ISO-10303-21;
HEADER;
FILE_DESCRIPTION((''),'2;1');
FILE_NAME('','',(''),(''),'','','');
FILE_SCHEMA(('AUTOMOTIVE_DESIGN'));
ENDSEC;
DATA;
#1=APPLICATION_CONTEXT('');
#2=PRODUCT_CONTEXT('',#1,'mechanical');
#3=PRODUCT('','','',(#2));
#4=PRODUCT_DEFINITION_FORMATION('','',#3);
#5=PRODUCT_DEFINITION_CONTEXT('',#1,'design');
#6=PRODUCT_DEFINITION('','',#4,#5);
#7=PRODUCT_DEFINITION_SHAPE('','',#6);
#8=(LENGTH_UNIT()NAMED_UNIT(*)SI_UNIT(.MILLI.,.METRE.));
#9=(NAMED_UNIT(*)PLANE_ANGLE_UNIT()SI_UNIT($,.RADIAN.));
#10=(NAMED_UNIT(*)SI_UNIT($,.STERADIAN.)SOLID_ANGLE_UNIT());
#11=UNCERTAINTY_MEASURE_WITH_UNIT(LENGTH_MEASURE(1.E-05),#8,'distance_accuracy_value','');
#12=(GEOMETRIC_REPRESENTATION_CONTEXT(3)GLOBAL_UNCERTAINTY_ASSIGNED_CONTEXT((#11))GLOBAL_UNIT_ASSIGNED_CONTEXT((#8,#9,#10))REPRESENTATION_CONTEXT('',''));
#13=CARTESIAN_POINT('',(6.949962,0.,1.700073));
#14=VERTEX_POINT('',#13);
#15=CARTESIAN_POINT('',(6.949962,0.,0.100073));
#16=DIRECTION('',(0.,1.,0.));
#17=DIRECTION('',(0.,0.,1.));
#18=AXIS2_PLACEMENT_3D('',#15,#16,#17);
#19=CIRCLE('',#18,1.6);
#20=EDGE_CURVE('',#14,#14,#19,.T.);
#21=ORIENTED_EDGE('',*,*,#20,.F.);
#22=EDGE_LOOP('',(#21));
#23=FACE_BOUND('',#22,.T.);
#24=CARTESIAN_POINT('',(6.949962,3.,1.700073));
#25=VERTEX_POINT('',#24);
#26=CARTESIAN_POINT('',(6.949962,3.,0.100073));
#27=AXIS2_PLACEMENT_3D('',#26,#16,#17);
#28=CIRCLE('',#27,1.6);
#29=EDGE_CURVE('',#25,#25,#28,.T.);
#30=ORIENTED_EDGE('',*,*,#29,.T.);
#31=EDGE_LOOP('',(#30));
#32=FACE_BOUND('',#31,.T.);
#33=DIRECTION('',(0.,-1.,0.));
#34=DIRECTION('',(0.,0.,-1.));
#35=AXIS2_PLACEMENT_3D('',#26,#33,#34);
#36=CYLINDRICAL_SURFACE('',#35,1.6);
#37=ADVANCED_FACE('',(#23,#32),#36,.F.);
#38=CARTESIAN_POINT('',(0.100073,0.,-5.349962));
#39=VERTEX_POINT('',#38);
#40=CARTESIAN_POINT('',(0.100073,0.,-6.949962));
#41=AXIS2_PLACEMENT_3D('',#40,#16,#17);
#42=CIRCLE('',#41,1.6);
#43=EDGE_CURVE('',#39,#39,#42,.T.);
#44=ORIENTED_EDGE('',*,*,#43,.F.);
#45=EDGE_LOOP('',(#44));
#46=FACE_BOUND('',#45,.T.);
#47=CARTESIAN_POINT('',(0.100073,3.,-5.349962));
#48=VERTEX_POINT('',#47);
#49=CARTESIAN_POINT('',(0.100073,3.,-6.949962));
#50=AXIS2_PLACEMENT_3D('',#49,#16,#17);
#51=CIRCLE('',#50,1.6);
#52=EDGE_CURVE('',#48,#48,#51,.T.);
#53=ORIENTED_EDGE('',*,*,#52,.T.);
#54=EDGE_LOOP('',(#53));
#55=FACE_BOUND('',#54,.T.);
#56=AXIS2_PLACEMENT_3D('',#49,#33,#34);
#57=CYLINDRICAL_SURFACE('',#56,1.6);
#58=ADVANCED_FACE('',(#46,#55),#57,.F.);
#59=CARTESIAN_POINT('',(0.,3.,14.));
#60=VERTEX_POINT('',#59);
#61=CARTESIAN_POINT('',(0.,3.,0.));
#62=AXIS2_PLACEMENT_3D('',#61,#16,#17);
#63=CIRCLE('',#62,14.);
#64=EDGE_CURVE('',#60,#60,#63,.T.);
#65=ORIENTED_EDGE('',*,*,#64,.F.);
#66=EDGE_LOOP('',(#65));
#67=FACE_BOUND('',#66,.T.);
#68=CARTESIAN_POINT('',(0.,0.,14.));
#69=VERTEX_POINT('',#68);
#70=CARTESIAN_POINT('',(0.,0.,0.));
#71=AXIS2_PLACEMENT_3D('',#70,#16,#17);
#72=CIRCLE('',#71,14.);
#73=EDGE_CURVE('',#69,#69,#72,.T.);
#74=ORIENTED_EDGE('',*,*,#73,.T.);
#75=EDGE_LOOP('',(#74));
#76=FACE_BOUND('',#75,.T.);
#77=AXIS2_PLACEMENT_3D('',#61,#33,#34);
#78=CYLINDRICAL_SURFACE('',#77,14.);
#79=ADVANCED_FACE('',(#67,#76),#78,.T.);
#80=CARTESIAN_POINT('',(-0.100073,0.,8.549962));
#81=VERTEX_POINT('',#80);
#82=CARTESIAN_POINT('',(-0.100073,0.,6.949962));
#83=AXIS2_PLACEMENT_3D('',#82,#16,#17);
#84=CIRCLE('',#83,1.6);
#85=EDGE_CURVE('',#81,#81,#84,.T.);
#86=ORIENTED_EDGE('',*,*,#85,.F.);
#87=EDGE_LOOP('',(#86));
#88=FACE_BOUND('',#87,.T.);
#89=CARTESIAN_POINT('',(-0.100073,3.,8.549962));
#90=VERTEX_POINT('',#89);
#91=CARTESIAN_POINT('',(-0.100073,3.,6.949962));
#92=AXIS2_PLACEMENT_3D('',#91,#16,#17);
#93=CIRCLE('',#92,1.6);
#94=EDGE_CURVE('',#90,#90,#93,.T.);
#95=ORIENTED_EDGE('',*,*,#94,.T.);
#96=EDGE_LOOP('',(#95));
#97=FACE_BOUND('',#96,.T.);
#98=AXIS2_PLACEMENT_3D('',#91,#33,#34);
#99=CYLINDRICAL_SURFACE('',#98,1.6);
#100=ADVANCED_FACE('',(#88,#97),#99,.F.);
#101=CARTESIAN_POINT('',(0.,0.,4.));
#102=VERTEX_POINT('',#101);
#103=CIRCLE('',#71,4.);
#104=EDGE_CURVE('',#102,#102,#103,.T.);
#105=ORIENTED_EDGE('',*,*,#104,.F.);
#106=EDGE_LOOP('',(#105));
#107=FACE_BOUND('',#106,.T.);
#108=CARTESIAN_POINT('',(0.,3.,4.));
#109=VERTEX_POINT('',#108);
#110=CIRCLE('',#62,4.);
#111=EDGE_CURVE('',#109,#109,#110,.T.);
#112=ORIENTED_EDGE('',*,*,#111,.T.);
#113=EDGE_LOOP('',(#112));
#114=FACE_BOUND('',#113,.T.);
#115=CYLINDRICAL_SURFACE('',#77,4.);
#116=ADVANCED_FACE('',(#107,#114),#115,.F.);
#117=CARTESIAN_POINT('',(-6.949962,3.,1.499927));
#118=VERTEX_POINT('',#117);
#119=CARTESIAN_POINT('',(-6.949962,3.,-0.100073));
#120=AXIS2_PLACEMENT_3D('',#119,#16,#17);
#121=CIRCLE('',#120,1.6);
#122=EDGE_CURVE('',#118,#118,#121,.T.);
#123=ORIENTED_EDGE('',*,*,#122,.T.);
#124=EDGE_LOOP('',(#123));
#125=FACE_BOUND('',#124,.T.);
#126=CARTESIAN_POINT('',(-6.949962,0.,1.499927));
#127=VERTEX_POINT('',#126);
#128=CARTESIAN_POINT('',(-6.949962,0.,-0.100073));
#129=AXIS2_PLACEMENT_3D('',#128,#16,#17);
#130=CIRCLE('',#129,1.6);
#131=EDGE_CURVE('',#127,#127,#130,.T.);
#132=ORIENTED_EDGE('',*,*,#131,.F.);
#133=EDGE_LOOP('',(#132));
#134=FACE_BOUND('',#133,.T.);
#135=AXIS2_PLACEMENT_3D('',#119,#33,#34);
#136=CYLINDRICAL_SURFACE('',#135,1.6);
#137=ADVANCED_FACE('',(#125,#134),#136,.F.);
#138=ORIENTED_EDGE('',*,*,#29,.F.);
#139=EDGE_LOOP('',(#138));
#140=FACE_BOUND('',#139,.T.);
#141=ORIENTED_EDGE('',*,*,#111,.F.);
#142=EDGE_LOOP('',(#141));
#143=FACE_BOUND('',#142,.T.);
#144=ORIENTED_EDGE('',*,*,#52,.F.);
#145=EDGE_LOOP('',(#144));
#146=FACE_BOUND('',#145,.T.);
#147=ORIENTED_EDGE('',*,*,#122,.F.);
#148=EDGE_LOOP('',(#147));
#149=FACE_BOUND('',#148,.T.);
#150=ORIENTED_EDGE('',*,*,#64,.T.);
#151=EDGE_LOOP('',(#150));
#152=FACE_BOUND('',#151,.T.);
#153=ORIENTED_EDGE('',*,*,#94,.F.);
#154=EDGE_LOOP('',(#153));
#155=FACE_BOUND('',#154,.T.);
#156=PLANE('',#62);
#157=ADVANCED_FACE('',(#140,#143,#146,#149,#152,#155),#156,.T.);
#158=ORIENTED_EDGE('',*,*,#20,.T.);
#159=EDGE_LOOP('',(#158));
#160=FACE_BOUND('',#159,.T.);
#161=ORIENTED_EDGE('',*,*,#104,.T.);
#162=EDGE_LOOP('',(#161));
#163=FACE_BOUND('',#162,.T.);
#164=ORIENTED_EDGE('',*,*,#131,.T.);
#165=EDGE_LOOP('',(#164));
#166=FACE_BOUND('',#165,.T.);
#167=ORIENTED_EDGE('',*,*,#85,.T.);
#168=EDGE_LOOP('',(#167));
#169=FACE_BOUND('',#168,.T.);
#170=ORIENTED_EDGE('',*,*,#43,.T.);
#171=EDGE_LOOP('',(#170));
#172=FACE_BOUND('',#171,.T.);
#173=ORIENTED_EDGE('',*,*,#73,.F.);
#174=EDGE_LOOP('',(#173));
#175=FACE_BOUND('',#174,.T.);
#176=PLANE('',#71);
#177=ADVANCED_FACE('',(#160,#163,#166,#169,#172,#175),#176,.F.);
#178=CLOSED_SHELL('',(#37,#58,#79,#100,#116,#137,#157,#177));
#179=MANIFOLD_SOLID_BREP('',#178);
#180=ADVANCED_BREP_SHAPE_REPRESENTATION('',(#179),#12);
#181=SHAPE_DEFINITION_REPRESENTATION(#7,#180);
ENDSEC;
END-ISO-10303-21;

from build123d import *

# Parameters (mm, degrees)
SKETCH_1_R      = 14
SKETCH_1_R_2    = 4
SKETCH_1_R_3    = 1.6
EXTRUDE_1_DEPTH = 3


with BuildPart() as part:
    # 草图1 → 凸台-拉伸1 (new body)
    with BuildSketch(Plane(origin=(0, 0, 0), x_dir=(1, 0, 0), z_dir=(0, 1, 0))):
        with Locations(Location((0, 0, 0), (0, 0, 270))):
            Circle(SKETCH_1_R)
        with Locations(Location((0, 0, 0), (0, 0, 270))):
            Circle(SKETCH_1_R_2, mode=Mode.SUBTRACT)
        with Locations(Location((0.100073178, 6.949961639, 0), (0, 0, 270))):
            Circle(SKETCH_1_R_3, mode=Mode.SUBTRACT)
        with Locations(Location((6.949961639, -0.100073178, 0), (0, 0, 270))):
            Circle(SKETCH_1_R_3, mode=Mode.SUBTRACT)
        with Locations(Location((-0.100073178, -6.949961639, 0), (0, 0, 270))):
            Circle(SKETCH_1_R_3, mode=Mode.SUBTRACT)
        with Locations(Location((-6.949961639, 0.100073178, 0), (0, 0, 270))):
            Circle(SKETCH_1_R_3, mode=Mode.SUBTRACT)
    extrude(amount=EXTRUDE_1_DEPTH)


solid = part.part
